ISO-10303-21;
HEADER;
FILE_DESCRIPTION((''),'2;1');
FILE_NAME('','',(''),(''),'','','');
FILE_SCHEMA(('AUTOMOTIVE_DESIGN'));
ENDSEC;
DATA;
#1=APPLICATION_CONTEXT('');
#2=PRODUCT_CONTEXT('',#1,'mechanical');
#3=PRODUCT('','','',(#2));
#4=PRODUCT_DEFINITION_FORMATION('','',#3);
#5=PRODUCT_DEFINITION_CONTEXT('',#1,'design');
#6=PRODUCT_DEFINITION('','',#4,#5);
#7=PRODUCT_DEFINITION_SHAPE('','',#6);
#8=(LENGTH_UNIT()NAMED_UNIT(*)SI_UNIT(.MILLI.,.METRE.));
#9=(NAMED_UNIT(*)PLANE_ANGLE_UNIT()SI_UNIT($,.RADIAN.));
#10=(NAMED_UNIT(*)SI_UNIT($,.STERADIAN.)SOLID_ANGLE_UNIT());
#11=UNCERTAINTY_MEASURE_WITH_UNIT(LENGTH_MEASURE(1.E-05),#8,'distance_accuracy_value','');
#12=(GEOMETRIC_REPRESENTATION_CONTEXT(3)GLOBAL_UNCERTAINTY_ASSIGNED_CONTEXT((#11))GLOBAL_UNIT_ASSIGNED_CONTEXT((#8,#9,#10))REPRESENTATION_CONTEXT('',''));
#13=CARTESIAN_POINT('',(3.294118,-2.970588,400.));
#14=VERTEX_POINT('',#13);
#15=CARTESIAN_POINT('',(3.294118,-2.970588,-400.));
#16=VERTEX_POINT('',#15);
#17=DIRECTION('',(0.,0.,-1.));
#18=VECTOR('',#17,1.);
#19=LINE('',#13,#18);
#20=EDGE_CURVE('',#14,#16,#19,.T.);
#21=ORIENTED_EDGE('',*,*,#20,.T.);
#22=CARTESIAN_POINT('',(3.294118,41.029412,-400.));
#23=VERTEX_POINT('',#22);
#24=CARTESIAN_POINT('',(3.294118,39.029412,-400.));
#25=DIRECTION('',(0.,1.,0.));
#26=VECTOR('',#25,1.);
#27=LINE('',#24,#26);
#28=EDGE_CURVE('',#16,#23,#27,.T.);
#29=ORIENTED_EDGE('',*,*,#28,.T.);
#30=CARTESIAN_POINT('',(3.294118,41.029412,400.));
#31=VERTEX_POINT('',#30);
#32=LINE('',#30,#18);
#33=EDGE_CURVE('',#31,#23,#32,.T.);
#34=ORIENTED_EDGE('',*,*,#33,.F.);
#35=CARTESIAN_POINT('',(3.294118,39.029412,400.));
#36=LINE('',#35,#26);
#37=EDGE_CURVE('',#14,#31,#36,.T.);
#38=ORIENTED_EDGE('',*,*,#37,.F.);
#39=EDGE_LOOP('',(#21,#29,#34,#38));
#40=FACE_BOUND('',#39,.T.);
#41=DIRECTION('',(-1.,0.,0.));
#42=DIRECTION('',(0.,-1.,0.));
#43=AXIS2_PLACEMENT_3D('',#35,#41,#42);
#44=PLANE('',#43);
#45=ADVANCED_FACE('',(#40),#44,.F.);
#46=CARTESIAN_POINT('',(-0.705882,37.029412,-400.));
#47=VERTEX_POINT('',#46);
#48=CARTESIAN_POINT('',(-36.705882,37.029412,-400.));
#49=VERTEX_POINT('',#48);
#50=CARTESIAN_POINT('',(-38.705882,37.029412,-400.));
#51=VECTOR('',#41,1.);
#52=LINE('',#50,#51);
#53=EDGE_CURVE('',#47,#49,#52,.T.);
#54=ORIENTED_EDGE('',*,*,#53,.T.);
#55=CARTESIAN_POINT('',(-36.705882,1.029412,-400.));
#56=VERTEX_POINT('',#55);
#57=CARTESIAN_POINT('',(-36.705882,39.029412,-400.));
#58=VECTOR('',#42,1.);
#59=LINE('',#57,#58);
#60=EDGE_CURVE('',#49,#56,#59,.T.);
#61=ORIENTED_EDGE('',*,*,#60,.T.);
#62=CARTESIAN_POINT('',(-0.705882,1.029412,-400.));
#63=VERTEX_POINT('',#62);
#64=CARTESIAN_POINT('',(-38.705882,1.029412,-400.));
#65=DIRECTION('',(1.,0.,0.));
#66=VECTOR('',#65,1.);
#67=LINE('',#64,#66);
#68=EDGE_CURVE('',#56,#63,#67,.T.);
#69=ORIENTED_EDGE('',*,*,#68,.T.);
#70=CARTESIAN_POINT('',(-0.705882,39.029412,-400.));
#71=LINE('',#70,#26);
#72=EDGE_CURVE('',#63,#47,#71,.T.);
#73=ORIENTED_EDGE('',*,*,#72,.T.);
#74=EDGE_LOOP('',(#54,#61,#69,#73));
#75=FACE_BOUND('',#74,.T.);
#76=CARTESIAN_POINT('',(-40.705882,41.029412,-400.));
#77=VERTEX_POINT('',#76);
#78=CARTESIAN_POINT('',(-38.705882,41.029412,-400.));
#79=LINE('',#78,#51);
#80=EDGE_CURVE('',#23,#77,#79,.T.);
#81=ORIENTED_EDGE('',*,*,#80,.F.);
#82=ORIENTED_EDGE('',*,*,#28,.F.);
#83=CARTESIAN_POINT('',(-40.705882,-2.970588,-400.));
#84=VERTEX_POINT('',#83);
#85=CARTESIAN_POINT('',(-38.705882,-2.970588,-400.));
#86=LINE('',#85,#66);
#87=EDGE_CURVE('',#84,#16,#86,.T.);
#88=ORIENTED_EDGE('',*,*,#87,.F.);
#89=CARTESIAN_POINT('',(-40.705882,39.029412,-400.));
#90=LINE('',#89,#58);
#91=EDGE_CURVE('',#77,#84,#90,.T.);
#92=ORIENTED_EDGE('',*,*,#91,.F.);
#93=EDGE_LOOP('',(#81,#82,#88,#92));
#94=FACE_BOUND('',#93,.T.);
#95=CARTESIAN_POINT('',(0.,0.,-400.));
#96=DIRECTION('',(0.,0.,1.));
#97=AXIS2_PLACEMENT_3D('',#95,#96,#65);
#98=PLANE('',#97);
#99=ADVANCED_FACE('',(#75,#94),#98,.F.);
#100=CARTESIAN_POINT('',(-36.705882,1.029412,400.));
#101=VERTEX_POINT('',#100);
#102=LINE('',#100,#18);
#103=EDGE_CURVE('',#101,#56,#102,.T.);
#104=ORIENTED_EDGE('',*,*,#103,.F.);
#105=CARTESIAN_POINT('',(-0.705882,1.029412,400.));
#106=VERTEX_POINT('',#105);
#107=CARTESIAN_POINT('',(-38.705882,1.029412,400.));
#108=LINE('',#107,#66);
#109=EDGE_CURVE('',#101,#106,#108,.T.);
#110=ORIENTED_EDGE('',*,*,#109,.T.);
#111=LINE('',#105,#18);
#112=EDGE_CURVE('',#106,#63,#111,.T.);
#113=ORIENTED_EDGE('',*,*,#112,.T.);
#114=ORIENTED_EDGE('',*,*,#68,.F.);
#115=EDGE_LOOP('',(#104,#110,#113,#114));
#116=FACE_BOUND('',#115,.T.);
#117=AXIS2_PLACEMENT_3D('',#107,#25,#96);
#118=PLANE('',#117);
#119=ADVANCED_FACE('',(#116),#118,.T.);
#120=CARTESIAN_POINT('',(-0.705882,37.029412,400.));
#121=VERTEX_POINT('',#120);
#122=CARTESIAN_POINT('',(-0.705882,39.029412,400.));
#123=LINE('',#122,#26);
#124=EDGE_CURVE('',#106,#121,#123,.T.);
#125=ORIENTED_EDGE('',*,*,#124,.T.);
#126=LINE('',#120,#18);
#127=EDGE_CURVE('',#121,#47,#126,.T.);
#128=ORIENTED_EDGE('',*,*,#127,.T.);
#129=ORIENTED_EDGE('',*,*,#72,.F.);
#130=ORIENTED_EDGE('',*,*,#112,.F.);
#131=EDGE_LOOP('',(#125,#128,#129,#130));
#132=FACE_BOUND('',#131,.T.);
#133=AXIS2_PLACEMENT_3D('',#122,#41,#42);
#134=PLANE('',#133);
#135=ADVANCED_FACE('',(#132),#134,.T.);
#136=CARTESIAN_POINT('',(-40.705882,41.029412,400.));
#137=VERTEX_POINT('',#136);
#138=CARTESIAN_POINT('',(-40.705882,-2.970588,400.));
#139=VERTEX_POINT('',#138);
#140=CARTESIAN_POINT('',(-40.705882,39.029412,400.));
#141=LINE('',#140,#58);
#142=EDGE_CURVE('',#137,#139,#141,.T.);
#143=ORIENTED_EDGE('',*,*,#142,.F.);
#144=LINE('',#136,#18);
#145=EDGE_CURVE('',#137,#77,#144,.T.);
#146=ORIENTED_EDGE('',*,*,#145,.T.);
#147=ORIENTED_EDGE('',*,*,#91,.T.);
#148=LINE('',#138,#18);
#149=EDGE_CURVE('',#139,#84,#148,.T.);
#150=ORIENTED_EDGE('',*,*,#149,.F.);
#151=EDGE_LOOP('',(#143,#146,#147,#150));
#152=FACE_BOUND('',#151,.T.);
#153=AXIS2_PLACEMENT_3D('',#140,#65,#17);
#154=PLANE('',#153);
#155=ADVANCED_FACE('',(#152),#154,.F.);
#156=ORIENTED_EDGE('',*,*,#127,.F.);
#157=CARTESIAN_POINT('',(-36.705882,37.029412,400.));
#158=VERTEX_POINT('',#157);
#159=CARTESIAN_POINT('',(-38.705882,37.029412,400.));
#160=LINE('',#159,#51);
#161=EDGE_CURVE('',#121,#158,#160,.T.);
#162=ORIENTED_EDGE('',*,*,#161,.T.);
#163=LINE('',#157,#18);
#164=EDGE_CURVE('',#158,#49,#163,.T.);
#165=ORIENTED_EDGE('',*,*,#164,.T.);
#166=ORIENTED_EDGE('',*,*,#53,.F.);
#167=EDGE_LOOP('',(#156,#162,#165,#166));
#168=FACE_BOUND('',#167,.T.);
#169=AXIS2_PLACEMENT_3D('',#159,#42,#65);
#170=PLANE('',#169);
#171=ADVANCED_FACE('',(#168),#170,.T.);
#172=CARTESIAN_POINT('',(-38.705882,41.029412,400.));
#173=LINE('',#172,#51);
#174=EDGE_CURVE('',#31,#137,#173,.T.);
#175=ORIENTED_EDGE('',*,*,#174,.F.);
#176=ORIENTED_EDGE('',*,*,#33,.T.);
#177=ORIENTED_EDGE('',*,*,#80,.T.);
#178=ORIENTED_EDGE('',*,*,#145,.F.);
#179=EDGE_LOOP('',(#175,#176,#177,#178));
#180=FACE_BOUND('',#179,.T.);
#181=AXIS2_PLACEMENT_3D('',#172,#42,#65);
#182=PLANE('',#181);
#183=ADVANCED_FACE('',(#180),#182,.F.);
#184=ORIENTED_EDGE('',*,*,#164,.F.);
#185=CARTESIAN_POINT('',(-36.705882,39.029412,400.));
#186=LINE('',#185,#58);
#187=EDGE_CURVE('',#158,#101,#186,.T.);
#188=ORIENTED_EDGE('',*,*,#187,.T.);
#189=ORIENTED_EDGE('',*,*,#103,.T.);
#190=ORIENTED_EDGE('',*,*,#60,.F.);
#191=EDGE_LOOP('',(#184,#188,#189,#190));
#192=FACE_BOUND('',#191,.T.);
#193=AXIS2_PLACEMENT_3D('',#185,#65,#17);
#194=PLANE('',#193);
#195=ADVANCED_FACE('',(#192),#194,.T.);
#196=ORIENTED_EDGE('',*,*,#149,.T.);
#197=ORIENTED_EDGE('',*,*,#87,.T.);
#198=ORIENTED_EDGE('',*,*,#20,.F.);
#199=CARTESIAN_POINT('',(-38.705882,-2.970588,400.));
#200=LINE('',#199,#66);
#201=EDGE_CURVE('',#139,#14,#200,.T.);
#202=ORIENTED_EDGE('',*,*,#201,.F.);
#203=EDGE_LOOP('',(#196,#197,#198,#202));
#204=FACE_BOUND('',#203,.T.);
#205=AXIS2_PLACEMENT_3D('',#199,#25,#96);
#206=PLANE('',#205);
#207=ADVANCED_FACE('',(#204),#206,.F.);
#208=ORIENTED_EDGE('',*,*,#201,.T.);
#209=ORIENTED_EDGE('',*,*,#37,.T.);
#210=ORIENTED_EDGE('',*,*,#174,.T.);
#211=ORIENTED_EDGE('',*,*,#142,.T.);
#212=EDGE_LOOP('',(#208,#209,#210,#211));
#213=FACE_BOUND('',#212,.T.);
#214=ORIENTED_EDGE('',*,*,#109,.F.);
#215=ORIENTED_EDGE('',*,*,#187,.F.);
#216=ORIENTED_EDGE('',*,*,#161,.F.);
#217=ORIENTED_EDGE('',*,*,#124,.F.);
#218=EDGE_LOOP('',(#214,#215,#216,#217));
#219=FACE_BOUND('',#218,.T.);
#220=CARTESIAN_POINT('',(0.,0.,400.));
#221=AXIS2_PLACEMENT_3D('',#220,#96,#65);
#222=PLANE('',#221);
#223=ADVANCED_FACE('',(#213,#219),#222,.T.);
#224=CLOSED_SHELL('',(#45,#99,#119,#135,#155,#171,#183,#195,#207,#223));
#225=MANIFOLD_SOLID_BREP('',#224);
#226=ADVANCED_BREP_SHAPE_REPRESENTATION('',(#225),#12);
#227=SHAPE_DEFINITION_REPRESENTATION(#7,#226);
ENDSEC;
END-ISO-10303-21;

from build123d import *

# Parameters (mm, degrees)
SKETCH2_W           = 44
SKETCH2_H           = 44
SKETCH2_W_2         = 36
SKETCH2_H_2         = 36
EXTRUDE_THIN1_DEPTH = 400


with BuildPart() as part:
    # Sketch2 → Extrude-Thin1 (new body, symmetric)
    with BuildSketch(Plane.XY):
        with Locations((-18.705882353, 19.029411765)):
            Rectangle(SKETCH2_W, SKETCH2_H)
        with Locations((-18.705882353, 19.029411765)):
            Rectangle(SKETCH2_W_2, SKETCH2_H_2, mode=Mode.SUBTRACT)
    extrude(amount=EXTRUDE_THIN1_DEPTH, both=True)


solid = part.part
